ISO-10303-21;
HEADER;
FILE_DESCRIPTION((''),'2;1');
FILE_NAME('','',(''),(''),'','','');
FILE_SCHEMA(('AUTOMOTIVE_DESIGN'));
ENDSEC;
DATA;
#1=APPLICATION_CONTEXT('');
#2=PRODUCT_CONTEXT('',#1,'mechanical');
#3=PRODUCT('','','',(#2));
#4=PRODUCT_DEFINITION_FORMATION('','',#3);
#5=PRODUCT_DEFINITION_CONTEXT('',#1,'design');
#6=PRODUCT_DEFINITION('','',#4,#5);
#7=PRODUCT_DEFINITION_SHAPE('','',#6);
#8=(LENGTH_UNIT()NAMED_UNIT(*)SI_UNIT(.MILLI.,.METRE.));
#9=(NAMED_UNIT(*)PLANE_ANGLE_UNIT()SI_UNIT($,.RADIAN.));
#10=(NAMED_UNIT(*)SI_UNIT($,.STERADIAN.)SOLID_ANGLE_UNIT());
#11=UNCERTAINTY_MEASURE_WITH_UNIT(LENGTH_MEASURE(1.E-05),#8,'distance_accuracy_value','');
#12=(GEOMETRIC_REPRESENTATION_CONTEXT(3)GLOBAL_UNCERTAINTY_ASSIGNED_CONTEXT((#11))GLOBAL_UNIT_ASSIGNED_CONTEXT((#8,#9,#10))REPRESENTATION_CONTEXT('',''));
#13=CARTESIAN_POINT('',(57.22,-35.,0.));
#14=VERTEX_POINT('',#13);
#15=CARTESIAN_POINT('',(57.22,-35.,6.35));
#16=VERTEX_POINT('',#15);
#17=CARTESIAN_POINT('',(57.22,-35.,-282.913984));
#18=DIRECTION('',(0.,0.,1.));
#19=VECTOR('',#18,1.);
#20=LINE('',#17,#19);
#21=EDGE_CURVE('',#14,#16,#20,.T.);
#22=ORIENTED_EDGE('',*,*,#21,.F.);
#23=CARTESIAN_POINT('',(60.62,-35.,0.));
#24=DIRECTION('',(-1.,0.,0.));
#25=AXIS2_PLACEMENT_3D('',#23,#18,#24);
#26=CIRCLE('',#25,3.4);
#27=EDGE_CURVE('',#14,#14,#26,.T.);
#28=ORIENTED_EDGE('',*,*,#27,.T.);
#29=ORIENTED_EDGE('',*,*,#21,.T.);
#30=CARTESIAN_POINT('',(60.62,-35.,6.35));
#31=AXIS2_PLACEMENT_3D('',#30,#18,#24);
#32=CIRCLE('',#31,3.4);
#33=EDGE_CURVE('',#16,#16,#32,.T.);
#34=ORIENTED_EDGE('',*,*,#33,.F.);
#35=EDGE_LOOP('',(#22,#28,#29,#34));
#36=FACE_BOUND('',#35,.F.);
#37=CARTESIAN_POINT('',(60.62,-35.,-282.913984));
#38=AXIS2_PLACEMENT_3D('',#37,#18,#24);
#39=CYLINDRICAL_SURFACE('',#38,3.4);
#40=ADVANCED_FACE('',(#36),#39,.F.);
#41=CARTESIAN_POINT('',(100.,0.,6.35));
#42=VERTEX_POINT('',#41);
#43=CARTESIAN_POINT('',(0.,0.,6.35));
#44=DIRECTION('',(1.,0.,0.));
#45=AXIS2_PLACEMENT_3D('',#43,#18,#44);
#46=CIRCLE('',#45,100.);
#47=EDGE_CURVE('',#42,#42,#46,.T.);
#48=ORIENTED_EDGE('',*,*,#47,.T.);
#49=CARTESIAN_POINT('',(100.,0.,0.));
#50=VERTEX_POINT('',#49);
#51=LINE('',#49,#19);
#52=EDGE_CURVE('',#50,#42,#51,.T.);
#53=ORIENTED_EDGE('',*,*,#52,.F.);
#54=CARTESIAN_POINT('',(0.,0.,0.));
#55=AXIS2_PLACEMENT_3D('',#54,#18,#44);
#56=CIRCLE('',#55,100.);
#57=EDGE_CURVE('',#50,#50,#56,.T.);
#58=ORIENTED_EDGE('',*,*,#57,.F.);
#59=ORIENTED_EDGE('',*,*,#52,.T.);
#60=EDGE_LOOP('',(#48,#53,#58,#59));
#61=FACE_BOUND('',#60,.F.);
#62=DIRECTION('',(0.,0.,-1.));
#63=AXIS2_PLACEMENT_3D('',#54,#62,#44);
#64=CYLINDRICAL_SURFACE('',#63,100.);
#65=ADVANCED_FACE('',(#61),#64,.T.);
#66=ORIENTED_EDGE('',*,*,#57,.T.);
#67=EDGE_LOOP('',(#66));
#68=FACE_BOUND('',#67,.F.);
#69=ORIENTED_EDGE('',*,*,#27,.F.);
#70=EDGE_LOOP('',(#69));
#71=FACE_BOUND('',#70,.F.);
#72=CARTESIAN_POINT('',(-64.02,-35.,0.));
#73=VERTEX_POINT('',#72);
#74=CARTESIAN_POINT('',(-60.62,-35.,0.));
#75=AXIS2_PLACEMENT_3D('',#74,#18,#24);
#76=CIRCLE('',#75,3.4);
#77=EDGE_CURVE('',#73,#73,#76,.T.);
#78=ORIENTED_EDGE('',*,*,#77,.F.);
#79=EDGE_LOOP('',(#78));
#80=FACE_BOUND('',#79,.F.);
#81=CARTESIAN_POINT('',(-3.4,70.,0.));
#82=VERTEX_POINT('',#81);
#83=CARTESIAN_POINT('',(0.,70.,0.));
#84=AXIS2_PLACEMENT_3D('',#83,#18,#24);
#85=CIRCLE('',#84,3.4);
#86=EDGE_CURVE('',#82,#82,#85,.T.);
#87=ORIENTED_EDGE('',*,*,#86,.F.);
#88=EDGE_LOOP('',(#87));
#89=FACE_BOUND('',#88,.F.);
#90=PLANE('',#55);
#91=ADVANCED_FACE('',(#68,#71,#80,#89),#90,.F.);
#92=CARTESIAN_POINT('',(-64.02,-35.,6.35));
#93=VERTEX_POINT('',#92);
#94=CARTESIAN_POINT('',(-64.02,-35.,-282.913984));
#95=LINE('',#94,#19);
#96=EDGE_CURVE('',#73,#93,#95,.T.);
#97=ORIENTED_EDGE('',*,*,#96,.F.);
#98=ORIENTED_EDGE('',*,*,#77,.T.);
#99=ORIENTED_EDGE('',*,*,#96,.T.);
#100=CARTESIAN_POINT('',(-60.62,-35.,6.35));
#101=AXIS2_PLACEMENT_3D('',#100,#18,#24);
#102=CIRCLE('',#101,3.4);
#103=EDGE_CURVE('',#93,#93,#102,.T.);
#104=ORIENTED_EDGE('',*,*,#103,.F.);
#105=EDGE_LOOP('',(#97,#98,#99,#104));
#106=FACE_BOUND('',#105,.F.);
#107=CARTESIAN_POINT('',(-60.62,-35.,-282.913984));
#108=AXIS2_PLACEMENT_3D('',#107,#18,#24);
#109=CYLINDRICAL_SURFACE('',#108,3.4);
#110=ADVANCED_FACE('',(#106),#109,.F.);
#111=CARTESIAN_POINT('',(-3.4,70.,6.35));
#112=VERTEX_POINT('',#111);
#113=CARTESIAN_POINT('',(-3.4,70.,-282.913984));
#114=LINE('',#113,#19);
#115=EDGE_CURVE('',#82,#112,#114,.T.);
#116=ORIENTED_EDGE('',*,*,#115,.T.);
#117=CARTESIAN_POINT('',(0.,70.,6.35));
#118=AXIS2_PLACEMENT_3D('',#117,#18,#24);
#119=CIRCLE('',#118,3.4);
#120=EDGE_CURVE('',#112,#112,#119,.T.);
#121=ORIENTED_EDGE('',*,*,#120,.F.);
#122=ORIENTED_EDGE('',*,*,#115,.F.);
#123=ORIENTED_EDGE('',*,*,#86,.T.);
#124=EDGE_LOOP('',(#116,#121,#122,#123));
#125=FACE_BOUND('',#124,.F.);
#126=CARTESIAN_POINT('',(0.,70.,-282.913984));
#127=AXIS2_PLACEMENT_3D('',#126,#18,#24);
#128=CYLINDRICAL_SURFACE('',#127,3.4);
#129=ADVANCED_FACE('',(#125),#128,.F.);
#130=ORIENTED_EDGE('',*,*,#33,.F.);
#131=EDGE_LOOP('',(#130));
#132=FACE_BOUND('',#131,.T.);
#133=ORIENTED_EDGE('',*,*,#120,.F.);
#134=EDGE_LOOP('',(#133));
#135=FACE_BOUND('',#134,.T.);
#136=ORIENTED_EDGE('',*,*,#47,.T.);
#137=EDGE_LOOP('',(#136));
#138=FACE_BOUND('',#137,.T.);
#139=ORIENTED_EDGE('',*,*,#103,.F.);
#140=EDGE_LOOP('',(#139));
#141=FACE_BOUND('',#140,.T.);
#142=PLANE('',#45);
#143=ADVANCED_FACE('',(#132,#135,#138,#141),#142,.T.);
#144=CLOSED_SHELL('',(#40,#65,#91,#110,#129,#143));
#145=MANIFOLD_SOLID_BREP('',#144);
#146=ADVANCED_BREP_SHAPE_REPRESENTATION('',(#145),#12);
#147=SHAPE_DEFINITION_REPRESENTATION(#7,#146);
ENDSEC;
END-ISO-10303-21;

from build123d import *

# Parameters (mm, degrees)
F0_R     = 100
F1_DEPTH = 6.35
F2_D     = 6.8


with BuildPart() as f1:
    # F0 (on Top) → F1 (new body)
    with BuildSketch(Plane.XY):
        Circle(F0_R)
    extrude(amount=F1_DEPTH)

    # F2 (through all)
    with Locations(Plane(origin=(0, 0, 0), x_dir=(1, 0, 0), z_dir=(0, 0, -1))):
        with Locations((60.62, 35), (0, -70), (-60.62, 35)):
            Hole(F2_D / 2)


solid = f1.part
